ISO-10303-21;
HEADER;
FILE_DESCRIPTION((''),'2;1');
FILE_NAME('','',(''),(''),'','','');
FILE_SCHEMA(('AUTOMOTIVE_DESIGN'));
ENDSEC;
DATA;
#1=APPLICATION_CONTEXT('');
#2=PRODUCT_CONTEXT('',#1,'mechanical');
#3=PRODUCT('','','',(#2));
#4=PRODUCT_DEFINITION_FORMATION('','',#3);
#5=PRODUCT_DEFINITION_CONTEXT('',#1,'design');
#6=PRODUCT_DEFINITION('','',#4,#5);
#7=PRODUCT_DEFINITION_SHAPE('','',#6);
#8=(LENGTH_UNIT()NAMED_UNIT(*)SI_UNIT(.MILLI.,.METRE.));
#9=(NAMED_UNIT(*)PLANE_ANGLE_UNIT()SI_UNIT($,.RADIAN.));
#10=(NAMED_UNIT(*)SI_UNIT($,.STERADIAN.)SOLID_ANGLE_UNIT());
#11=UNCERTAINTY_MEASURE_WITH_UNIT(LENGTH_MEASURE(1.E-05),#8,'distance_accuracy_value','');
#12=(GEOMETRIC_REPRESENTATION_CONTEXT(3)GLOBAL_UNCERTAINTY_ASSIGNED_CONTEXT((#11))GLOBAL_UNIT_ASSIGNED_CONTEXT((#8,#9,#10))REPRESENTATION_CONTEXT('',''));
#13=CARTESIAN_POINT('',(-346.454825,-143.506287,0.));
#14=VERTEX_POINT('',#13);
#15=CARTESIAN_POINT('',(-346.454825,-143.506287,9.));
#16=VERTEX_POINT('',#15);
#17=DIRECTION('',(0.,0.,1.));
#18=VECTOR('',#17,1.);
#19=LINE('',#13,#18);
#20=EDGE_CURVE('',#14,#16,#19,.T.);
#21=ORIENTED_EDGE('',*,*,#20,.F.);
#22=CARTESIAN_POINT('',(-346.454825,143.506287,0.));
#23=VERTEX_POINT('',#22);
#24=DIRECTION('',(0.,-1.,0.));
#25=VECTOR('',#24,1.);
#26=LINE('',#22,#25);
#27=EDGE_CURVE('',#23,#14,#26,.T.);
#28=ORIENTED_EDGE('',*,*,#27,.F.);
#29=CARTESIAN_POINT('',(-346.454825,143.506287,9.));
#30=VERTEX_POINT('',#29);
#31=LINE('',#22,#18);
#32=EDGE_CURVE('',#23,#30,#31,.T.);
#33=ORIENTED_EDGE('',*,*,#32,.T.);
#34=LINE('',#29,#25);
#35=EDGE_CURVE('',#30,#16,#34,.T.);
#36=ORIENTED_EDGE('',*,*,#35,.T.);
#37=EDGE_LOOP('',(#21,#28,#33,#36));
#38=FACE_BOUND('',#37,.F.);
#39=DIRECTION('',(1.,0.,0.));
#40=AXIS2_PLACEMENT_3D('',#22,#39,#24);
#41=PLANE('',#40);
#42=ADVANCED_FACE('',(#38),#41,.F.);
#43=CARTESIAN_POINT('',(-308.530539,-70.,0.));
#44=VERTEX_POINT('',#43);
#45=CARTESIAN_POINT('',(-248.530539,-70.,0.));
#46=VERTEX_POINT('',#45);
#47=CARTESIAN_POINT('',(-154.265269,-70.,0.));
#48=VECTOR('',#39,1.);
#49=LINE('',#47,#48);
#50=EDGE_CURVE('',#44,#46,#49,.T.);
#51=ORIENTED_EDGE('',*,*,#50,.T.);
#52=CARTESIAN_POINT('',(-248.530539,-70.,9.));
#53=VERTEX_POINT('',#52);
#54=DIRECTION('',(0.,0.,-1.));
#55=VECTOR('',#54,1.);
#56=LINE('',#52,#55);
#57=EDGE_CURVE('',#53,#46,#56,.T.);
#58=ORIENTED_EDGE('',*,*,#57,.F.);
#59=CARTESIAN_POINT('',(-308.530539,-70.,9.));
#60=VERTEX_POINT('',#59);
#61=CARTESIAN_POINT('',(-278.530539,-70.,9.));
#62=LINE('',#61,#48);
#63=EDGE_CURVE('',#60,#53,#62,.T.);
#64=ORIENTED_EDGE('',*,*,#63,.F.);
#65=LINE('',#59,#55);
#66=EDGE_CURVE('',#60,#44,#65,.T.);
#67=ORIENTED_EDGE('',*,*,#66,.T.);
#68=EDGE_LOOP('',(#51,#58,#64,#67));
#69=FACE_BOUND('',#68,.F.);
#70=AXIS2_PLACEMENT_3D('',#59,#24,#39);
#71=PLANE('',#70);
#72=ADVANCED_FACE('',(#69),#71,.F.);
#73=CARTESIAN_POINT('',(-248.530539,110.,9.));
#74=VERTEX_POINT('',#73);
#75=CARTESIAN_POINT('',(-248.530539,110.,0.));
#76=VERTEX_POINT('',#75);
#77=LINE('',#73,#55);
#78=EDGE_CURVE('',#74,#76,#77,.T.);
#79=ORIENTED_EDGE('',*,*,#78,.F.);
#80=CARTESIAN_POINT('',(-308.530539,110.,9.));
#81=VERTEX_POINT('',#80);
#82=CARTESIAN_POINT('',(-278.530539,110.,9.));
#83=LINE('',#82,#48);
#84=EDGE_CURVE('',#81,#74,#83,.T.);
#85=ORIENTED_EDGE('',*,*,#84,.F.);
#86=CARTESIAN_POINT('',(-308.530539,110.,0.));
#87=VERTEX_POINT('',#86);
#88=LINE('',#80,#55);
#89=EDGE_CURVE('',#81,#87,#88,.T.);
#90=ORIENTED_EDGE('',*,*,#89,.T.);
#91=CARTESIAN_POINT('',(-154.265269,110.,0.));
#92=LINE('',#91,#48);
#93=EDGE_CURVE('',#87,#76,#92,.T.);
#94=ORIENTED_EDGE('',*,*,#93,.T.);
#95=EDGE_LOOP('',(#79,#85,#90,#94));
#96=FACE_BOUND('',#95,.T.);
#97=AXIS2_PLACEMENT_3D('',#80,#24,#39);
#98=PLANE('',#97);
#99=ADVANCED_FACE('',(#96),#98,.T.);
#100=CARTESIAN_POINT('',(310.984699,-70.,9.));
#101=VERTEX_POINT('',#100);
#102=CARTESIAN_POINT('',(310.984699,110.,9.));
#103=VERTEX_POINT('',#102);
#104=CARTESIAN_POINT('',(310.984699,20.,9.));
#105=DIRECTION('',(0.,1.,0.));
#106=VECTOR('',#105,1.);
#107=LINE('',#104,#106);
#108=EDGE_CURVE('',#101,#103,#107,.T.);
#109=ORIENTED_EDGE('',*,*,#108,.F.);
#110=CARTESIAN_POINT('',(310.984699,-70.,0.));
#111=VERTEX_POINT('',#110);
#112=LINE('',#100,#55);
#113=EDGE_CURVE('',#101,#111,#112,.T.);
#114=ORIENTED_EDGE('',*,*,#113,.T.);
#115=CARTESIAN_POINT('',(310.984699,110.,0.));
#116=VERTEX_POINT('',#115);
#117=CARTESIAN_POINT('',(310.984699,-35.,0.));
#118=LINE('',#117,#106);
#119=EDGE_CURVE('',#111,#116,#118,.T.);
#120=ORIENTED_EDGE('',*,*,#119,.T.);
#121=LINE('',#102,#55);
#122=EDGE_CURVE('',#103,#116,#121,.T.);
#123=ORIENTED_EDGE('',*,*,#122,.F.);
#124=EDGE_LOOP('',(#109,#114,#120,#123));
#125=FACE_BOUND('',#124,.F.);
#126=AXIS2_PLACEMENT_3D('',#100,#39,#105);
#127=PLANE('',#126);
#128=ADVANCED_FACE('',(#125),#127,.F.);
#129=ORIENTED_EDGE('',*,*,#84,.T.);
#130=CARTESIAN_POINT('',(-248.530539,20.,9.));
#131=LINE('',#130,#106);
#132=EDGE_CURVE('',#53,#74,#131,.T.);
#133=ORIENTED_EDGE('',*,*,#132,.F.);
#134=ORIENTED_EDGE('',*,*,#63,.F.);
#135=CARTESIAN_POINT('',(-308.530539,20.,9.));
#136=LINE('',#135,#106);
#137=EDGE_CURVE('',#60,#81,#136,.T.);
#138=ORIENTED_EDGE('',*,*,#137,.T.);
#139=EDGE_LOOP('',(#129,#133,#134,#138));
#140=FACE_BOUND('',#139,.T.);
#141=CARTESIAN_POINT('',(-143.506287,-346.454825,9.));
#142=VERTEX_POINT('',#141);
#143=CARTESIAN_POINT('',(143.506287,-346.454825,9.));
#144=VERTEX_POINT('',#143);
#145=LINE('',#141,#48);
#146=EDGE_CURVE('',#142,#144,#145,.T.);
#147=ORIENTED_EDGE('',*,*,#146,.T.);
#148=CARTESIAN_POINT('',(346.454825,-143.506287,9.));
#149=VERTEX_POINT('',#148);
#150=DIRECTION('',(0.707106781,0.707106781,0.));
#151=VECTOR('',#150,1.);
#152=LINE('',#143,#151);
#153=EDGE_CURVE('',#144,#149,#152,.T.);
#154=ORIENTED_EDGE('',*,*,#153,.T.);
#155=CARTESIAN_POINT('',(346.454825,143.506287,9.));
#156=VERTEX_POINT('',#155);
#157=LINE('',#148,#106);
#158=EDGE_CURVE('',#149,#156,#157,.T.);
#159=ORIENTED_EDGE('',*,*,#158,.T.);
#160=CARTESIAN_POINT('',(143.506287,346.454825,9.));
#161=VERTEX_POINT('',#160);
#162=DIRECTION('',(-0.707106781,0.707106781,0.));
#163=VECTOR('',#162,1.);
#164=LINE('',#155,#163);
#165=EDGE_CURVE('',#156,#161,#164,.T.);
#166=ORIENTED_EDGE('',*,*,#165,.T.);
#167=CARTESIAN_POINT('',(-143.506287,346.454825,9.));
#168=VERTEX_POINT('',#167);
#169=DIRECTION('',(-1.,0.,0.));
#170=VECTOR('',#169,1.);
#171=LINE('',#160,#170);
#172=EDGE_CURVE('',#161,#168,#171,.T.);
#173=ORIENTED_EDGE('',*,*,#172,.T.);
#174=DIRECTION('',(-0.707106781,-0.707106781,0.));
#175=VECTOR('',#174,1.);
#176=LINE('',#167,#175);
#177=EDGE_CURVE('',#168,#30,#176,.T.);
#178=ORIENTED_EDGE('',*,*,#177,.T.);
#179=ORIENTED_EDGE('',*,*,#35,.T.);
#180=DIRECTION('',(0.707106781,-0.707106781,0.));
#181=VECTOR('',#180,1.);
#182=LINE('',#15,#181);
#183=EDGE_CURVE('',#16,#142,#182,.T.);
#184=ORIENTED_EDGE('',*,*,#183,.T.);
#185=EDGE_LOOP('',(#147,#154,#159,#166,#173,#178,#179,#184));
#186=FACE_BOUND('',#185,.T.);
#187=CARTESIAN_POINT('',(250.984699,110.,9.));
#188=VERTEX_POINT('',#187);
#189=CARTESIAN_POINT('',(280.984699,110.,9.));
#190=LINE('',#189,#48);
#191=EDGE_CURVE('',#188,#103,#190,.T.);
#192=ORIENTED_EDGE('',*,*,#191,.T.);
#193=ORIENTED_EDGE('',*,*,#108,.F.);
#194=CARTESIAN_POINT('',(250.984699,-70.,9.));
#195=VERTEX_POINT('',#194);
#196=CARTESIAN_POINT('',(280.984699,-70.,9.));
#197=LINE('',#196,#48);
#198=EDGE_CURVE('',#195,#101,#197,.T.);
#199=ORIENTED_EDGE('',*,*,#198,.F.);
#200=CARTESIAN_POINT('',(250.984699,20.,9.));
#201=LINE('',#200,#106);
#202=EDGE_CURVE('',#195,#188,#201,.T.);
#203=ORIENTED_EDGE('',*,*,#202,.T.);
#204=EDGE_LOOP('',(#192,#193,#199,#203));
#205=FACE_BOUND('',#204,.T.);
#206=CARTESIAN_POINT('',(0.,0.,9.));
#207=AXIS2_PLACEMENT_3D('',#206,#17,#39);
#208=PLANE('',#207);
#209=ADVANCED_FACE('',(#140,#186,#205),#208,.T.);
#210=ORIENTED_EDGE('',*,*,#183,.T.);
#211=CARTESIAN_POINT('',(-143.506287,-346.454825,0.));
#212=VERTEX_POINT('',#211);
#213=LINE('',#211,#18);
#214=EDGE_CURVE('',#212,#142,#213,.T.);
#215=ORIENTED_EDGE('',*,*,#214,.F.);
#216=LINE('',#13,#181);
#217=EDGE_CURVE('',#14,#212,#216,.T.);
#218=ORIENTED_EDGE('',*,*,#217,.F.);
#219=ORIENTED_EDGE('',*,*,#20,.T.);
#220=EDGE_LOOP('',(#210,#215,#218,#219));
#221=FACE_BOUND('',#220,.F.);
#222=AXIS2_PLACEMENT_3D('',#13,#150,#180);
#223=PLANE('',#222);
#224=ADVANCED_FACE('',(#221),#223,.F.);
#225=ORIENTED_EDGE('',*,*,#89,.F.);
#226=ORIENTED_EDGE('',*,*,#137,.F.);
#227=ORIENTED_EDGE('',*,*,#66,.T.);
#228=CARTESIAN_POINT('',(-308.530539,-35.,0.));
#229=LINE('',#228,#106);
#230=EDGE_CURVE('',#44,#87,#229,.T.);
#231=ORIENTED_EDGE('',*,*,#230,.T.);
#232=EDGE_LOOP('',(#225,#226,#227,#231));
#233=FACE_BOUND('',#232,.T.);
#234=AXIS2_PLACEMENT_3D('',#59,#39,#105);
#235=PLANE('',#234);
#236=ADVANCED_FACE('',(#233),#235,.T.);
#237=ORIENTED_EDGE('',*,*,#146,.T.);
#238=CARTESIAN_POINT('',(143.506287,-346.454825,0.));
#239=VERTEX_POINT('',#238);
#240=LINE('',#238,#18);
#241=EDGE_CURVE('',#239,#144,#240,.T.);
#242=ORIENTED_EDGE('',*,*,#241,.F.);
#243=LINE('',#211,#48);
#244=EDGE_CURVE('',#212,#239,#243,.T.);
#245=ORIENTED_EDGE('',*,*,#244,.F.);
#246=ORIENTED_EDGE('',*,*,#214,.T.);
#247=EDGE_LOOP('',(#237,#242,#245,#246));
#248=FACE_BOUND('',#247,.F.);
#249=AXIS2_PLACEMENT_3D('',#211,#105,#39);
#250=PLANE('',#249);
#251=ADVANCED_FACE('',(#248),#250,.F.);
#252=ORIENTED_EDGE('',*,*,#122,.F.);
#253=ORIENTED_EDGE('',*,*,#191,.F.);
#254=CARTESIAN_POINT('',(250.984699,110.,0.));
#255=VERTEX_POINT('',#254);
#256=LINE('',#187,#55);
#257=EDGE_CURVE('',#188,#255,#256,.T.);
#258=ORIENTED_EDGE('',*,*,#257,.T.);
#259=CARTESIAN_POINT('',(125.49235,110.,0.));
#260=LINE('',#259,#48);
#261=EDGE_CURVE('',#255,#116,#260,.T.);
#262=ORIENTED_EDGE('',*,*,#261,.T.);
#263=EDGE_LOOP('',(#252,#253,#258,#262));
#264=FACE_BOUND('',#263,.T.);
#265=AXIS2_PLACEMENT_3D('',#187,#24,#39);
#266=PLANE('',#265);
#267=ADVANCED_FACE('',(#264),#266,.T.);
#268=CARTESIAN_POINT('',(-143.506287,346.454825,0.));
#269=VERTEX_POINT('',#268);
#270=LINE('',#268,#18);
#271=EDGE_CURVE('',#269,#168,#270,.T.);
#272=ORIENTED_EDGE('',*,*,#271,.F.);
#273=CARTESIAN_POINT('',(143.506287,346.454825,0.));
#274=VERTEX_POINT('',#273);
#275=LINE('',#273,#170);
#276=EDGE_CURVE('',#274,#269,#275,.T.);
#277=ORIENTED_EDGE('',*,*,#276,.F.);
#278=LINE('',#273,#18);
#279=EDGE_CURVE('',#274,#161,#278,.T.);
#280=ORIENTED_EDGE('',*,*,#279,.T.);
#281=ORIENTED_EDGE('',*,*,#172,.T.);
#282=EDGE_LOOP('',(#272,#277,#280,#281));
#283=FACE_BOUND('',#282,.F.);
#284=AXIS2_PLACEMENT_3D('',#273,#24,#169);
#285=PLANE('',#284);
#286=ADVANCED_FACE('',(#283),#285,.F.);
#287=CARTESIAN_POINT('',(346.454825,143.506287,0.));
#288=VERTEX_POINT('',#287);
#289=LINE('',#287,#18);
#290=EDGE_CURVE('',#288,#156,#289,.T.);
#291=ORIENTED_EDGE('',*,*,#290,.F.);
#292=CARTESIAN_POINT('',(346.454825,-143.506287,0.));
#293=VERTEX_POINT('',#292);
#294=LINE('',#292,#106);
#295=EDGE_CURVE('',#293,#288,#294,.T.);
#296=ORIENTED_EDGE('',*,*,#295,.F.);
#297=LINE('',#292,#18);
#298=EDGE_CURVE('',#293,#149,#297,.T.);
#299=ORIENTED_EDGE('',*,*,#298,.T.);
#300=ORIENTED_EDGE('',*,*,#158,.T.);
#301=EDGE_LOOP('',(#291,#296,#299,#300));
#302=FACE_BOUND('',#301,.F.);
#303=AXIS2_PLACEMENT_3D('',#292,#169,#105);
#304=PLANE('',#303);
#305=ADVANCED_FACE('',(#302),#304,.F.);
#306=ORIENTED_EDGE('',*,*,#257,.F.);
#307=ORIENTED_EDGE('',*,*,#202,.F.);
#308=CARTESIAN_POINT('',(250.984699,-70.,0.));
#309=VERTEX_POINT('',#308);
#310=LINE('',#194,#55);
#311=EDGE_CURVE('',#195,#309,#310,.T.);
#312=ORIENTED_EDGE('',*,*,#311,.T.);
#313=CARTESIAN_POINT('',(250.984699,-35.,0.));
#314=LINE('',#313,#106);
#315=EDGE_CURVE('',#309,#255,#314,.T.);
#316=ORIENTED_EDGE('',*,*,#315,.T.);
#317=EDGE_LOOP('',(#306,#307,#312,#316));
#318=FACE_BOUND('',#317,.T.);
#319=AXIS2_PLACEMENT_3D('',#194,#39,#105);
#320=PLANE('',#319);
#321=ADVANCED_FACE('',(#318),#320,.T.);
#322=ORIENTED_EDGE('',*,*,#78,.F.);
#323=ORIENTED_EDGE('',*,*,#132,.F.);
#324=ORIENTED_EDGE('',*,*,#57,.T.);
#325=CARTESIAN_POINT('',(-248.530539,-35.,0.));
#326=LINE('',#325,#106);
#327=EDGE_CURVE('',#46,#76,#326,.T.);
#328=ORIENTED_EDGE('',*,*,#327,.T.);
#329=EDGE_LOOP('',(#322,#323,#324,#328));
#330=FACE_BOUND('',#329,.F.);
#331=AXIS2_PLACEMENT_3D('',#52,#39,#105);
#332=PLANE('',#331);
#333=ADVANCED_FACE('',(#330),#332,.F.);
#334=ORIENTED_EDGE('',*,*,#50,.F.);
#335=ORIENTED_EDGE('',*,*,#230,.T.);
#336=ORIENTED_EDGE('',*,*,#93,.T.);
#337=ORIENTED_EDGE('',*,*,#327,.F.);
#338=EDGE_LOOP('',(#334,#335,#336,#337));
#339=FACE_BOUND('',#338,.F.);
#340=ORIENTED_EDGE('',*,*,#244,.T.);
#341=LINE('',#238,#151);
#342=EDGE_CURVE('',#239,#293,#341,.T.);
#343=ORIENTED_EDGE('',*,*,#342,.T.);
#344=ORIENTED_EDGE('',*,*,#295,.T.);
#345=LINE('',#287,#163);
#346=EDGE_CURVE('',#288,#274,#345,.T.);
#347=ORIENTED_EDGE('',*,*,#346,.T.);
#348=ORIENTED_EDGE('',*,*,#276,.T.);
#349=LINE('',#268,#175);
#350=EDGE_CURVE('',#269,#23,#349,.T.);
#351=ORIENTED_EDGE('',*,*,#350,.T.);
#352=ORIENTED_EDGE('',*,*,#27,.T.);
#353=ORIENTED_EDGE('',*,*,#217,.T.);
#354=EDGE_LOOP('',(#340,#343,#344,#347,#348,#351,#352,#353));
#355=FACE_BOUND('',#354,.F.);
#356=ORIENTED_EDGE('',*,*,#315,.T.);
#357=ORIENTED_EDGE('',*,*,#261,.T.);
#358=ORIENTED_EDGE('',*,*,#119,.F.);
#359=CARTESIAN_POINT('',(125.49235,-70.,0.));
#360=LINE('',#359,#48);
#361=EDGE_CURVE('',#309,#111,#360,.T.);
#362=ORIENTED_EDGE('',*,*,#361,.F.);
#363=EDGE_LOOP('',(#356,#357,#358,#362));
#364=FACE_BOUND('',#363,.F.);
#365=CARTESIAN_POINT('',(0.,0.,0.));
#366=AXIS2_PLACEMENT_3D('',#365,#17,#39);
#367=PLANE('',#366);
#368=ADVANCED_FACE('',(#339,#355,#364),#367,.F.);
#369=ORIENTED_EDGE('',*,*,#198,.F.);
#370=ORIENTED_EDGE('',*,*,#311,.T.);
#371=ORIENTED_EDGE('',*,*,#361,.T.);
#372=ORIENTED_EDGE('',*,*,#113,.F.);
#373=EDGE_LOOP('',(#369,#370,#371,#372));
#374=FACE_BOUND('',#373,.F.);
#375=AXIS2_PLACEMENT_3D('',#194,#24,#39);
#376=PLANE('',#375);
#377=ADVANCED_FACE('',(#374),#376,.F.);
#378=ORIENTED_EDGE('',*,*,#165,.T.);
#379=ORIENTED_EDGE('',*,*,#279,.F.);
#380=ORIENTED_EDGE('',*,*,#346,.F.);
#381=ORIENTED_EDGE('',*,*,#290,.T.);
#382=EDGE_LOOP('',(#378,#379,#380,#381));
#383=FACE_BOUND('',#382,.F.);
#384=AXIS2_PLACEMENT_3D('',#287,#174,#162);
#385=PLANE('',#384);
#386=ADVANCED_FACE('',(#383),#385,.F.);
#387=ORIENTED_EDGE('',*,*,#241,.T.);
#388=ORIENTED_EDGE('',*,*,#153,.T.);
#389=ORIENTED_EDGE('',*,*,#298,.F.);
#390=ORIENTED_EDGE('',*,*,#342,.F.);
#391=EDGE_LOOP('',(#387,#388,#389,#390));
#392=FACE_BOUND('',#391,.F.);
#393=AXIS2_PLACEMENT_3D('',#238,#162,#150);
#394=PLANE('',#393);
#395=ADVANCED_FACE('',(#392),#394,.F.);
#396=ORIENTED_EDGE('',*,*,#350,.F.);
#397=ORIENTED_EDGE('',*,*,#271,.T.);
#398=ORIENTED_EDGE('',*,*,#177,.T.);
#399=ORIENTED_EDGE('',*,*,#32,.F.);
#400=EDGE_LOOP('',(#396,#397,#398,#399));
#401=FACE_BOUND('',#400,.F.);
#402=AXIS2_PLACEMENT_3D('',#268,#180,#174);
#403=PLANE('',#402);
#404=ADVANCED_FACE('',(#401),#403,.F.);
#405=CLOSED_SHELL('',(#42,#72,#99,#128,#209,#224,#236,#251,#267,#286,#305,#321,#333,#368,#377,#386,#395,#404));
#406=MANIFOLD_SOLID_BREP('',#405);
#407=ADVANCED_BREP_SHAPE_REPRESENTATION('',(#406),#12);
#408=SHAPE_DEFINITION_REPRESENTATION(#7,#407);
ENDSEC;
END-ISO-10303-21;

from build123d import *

# Parameters (mm, degrees)
F1_DEPTH = 9
F2_W     = 60
F2_H     = 180
F3_DEPTH = 9.001


with BuildPart() as f1:
    # F0 (on Top) → F1 (new body)
    with BuildSketch(Plane.XY):
        Polygon((143.506287, 346.454825), (-143.506287, 346.454825), (-346.454825, 143.506287), (-346.454825, -143.506287), (-143.506287, -346.454825), (143.506287, -346.454825), (346.454825, -143.506287), (346.454825, 143.506287), align=None)
    extrude(amount=F1_DEPTH)

    # F2 (on face) → F3 (cut, through all)
    with BuildSketch(Plane.XY.offset(9)):
        with Locations((-278.530539, 20)):
            Rectangle(F2_W, F2_H)
        with Locations((280.984699, 20)):
            Rectangle(F2_W, F2_H)
    extrude(amount=-F3_DEPTH, mode=Mode.SUBTRACT)


solid = f1.part
